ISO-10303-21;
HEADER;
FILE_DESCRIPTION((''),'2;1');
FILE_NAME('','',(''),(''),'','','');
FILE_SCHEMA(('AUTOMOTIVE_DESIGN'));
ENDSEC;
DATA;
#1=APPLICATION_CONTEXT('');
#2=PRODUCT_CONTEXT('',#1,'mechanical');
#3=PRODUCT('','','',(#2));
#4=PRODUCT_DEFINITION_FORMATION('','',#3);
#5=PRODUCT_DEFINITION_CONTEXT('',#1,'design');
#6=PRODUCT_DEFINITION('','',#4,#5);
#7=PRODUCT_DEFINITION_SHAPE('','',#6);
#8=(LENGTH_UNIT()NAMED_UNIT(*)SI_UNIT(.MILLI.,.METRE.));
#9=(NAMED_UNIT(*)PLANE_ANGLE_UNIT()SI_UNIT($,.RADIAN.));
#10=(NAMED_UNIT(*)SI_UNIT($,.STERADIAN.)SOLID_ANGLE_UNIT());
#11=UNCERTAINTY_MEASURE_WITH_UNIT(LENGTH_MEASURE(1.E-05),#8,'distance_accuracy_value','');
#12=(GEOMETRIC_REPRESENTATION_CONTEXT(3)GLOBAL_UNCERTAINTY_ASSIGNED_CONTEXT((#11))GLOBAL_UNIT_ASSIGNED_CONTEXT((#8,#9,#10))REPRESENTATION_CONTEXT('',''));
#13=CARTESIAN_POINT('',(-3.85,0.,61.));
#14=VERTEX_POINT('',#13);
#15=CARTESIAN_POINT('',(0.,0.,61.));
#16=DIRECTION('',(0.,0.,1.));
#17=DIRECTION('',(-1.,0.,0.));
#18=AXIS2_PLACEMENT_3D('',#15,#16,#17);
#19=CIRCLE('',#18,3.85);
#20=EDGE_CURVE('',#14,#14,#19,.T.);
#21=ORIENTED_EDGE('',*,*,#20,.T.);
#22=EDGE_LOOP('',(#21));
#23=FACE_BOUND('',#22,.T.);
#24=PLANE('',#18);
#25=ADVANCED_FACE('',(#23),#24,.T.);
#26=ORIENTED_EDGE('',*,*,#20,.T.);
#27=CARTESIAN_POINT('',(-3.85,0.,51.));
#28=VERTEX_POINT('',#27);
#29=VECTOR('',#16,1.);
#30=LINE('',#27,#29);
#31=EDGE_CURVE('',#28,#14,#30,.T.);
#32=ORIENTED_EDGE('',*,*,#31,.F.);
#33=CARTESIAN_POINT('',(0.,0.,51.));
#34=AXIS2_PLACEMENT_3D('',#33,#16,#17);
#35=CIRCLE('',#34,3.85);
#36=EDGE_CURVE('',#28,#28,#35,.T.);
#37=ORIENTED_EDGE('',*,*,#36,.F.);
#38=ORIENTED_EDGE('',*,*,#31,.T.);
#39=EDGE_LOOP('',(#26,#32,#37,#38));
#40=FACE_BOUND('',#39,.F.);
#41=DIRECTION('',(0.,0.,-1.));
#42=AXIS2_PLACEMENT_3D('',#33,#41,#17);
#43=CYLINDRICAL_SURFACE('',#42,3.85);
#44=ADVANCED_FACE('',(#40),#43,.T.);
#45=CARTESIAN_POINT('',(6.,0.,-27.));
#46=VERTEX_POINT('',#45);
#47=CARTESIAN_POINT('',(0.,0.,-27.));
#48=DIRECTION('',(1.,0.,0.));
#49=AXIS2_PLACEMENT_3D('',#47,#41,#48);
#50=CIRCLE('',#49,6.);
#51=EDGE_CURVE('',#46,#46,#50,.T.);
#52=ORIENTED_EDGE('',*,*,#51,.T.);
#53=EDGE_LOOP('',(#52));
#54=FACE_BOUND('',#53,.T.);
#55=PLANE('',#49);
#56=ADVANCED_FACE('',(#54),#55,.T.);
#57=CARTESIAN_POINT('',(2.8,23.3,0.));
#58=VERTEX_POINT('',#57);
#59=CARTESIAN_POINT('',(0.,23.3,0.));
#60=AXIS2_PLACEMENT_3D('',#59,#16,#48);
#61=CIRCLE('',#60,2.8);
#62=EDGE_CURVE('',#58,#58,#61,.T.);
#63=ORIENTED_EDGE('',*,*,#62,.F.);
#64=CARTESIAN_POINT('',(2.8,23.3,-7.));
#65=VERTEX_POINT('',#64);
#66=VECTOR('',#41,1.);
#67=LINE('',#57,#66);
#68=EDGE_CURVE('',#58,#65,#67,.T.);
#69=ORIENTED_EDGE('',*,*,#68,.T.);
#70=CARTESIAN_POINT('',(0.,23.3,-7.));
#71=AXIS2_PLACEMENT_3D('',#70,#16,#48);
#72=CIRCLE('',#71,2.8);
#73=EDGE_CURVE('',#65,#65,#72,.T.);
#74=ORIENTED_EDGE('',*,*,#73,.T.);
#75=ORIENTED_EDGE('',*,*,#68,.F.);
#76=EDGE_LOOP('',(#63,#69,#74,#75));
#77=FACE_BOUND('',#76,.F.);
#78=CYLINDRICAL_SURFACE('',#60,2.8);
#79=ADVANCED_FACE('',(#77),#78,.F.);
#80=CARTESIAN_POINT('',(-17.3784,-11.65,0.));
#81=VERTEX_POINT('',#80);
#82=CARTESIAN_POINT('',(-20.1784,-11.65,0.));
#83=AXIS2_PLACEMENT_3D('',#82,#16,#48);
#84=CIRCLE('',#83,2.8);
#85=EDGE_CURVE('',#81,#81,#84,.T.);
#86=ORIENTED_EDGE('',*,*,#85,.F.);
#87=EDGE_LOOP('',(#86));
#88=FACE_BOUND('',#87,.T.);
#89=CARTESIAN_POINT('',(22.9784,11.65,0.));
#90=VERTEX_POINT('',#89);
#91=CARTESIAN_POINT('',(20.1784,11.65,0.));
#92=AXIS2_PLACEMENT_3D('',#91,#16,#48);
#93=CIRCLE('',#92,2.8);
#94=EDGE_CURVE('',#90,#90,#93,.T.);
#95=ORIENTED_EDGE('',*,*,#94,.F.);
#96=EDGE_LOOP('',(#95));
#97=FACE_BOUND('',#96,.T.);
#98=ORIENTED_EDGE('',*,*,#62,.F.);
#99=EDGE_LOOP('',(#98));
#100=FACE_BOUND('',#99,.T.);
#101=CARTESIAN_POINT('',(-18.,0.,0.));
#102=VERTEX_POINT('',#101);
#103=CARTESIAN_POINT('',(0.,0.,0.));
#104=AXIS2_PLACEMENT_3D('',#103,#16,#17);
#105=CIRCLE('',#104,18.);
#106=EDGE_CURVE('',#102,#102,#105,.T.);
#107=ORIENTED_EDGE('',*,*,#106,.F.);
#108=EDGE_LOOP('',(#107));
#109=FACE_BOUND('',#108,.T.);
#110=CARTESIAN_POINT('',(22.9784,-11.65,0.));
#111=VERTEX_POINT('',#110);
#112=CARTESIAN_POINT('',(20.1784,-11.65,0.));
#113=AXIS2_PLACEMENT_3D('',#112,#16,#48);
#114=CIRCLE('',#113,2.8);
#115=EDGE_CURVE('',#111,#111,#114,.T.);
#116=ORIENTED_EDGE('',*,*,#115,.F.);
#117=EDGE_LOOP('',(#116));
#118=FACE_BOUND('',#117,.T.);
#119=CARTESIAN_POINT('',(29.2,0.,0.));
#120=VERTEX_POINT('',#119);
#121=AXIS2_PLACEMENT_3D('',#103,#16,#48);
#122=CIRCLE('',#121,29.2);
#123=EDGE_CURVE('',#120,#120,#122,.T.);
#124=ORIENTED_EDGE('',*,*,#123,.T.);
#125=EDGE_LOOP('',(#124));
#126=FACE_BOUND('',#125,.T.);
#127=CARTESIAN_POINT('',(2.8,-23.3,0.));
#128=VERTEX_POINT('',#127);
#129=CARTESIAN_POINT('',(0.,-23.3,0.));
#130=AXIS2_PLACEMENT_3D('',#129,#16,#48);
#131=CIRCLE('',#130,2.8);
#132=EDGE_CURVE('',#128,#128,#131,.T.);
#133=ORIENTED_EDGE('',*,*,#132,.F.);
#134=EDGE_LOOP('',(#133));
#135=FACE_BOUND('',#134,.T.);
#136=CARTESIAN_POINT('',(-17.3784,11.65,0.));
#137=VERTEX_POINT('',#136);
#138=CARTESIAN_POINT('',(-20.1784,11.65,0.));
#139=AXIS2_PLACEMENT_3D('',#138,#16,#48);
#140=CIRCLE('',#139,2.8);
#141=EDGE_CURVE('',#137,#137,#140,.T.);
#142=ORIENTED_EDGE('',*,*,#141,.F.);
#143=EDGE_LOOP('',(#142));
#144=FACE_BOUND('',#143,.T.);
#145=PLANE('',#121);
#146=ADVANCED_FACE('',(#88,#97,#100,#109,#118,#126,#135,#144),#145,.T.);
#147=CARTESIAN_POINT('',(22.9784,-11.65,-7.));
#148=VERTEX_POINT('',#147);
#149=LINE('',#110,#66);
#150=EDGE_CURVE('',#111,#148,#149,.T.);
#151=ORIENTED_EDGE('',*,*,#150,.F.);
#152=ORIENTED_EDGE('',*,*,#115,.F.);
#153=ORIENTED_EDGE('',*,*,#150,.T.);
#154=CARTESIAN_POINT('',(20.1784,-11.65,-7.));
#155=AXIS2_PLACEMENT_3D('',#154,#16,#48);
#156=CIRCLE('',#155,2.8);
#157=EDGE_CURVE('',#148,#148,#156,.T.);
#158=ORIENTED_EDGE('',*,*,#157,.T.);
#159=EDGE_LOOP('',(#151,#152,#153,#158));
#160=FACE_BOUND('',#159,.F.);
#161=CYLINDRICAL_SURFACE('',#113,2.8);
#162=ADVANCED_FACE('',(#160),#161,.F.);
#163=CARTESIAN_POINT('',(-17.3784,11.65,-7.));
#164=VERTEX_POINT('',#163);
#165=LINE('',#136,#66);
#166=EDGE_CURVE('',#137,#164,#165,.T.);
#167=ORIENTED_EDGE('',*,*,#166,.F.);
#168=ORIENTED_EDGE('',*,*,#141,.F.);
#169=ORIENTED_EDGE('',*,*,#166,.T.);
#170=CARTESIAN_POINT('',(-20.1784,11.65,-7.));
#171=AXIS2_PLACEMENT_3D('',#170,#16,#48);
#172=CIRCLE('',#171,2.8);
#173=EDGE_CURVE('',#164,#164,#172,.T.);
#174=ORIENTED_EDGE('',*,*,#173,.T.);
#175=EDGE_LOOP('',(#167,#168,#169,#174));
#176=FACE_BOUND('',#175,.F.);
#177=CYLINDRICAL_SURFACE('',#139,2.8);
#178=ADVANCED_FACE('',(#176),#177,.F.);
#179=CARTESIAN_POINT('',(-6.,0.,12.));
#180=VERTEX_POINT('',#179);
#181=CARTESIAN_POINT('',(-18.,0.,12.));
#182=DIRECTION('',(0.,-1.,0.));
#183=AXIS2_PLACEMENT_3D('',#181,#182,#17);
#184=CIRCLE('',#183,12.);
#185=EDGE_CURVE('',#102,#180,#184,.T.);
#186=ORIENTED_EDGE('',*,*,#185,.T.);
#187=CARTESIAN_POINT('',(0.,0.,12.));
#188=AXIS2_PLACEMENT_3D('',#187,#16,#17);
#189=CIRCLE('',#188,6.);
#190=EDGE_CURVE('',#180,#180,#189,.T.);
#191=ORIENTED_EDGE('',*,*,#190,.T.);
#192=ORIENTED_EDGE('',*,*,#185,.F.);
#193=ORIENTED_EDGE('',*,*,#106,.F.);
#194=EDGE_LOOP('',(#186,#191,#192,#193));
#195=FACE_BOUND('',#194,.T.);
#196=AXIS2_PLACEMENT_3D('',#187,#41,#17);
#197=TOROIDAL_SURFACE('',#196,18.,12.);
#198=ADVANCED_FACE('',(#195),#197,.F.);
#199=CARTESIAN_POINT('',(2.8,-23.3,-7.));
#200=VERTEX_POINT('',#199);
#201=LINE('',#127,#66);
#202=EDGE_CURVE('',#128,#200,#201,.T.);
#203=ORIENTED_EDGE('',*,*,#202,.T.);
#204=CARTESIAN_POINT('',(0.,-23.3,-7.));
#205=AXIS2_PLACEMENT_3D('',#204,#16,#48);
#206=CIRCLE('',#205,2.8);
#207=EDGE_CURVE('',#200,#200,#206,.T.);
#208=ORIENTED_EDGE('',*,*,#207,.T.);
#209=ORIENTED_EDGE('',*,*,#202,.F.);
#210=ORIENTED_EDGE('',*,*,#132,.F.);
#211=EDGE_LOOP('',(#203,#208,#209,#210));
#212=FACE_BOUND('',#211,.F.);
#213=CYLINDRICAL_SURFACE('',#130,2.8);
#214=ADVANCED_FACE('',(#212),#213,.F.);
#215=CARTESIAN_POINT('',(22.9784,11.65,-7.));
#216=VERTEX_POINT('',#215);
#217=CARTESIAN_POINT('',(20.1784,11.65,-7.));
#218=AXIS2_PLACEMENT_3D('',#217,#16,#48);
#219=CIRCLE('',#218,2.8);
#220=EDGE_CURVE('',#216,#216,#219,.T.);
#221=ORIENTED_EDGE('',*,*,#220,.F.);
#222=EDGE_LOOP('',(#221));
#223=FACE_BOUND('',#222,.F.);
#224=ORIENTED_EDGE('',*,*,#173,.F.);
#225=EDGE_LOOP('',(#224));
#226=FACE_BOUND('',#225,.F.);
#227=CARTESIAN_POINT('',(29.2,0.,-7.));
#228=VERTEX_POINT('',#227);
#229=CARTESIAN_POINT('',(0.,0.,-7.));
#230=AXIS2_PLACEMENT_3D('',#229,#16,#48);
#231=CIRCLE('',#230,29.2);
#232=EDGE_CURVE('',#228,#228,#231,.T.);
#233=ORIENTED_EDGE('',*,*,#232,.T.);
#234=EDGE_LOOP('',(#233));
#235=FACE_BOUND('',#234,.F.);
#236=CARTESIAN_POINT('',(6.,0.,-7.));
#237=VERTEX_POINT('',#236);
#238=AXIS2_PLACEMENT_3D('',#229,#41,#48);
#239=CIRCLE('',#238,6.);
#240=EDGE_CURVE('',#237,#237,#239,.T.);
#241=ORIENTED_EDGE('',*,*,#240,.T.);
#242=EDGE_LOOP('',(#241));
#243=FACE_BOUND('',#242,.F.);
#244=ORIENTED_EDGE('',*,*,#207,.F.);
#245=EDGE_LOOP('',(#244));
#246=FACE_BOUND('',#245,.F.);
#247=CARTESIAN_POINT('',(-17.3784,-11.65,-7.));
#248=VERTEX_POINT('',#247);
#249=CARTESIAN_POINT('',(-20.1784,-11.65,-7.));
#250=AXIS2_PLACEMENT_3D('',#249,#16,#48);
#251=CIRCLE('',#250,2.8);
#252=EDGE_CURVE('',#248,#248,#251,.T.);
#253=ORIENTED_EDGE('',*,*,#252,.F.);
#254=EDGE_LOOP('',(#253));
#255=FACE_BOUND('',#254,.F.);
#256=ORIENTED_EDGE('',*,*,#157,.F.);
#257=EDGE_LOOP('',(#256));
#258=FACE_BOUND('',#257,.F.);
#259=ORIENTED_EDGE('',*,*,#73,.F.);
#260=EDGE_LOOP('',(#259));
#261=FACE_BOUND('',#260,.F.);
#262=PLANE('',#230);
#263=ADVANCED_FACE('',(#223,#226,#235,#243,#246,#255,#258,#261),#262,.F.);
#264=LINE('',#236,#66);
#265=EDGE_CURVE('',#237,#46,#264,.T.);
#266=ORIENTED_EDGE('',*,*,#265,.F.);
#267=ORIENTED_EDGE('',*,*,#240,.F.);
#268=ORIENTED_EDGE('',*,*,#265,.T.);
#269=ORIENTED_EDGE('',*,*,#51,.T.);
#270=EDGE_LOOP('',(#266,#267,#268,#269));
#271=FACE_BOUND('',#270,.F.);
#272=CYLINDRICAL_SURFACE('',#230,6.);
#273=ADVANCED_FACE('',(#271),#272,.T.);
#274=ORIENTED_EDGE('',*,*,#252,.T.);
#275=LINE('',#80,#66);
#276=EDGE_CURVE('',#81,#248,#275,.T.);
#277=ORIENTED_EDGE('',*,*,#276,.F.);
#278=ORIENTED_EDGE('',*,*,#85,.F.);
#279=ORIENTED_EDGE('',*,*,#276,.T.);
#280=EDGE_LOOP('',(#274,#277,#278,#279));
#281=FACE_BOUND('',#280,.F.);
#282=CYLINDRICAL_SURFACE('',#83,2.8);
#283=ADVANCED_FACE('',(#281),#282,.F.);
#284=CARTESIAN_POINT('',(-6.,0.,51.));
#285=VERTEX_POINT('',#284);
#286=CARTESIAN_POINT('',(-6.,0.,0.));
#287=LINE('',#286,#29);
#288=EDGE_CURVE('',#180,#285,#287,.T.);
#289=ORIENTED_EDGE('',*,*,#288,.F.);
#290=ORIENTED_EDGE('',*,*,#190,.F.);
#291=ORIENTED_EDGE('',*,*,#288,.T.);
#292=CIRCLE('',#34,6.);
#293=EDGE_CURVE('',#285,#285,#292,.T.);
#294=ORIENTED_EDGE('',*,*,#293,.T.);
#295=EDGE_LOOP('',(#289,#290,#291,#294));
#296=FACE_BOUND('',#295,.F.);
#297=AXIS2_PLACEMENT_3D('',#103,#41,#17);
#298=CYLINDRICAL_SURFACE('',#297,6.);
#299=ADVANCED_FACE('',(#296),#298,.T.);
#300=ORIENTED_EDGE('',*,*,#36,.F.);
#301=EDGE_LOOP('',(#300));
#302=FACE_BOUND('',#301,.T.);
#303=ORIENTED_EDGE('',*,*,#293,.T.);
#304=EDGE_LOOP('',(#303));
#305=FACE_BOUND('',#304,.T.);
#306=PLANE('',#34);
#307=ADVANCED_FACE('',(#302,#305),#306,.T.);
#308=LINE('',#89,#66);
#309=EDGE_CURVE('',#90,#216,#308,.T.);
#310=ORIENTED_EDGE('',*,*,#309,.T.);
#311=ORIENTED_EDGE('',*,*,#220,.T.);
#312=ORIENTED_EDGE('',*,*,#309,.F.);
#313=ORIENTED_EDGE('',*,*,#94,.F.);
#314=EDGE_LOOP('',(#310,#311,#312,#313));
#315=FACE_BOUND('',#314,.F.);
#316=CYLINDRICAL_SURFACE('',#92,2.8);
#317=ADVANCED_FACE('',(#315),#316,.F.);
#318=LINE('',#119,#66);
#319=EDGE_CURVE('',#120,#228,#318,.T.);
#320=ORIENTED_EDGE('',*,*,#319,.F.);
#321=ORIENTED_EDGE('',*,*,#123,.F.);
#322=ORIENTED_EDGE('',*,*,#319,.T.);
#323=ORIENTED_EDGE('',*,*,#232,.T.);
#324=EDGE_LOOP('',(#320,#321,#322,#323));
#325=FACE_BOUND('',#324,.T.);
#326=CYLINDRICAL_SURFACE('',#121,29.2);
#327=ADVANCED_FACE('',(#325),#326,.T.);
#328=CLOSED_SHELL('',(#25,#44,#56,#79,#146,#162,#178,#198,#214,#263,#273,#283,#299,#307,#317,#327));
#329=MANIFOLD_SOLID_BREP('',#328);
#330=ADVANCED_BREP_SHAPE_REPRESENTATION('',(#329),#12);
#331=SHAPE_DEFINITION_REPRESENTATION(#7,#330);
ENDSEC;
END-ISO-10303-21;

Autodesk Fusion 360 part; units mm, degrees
sketch "Boceto1" plane through (0, 0, 0) normal (0, 0, 1) x (1, 0, 0)
  circle A0 centre (0, 0) radius 29.2
  circle A1 centre (0, 23.3) radius 2.8
  circle A2 centre (-20.1784, 11.65) radius 2.8
  circle A3 centre (-20.1784, -11.65) radius 2.8
  circle A4 centre (0, -23.3) radius 2.8
  circle A5 centre (20.1784, -11.65) radius 2.8
  circle A6 centre (20.1784, 11.65) radius 2.8
  dimension "d1" = 58.4
  dimension "d2" = 5.6
  dimension "d4" = 360
  dimension "d14" = 23.3
extrude "Extruir1" add sketch "Boceto1" against normal blind 7
sketch "Boceto2" plane through (0, 0, 0) normal (0, 0, 1) x (-1, 0, 0)
  circle A0 centre (0, -23.3) radius 2.8
  circle A1 centre (20.1784, 11.65) radius 2.8
  circle A2 centre (20.1784, -11.65) radius 2.8
  circle A3 centre (0, 23.3) radius 2.8
  circle A4 centre (-20.1784, 11.65) radius 2.8
  circle A5 centre (-20.1784, -11.65) radius 2.8
  circle A6 centre (0, 0) radius 29.2
  circle A7 centre (0, 0) radius 6
  dimension "d7" = 12
extrude "Extruir2" add sketch "Boceto2" along normal blind 51 contours A7
sketch "Boceto3" plane through (0, 0, 51) normal (0, 0, 1) x (-1, 0, 0)
  circle A0 centre (0, 0) radius 6
  circle A1 centre (0, 0) radius 3.85
  dimension "d10" = 7.7
extrude "Extruir3" add sketch "Boceto3" along normal blind 10 contours A1
sketch "Boceto4" plane through (0, 0, 0) normal (0, 0, 1) x (-1, 0, 0)
  circle A0 centre (0, 0) radius 6
  circle A1 centre (0, -23.3) radius 2.8
  circle A2 centre (20.1784, 11.65) radius 2.8
  circle A3 centre (20.1784, -11.65) radius 2.8
  circle A4 centre (0, 23.3) radius 2.8
  circle A5 centre (-20.1784, 11.65) radius 2.8
  circle A6 centre (-20.1784, -11.65) radius 2.8
  circle A7 centre (0, 0) radius 29.2
  circle A8 centre (0, 0) radius 20.3
  dimension "d13" = 40.6
sketch "Boceto5" plane through (0, 0, 0) normal (0, 1, 0) x (1, 0, 0)
fillet "Empalme1" radius 12 1 edges at (5.594, -2.1697, 0)
sketch "Boceto6" plane through (0, 0, -7) normal (0, 0, -1) x (1, 0, 0)
  circle A0 centre (0, -23.3) radius 2.8
  circle A1 centre (-20.1784, -11.65) radius 2.8
  circle A2 centre (-20.1784, 11.65) radius 2.8
  circle A3 centre (0, 23.3) radius 2.8
  circle A4 centre (20.1784, 11.65) radius 2.8
  circle A5 centre (20.1784, -11.65) radius 2.8
  circle A6 centre (0, 0) radius 29.2
  circle A7 centre (0, 0) radius 6
  dimension "d17" = 12
extrude "Extruir4" add sketch "Boceto6" along normal blind 20 contours A7
